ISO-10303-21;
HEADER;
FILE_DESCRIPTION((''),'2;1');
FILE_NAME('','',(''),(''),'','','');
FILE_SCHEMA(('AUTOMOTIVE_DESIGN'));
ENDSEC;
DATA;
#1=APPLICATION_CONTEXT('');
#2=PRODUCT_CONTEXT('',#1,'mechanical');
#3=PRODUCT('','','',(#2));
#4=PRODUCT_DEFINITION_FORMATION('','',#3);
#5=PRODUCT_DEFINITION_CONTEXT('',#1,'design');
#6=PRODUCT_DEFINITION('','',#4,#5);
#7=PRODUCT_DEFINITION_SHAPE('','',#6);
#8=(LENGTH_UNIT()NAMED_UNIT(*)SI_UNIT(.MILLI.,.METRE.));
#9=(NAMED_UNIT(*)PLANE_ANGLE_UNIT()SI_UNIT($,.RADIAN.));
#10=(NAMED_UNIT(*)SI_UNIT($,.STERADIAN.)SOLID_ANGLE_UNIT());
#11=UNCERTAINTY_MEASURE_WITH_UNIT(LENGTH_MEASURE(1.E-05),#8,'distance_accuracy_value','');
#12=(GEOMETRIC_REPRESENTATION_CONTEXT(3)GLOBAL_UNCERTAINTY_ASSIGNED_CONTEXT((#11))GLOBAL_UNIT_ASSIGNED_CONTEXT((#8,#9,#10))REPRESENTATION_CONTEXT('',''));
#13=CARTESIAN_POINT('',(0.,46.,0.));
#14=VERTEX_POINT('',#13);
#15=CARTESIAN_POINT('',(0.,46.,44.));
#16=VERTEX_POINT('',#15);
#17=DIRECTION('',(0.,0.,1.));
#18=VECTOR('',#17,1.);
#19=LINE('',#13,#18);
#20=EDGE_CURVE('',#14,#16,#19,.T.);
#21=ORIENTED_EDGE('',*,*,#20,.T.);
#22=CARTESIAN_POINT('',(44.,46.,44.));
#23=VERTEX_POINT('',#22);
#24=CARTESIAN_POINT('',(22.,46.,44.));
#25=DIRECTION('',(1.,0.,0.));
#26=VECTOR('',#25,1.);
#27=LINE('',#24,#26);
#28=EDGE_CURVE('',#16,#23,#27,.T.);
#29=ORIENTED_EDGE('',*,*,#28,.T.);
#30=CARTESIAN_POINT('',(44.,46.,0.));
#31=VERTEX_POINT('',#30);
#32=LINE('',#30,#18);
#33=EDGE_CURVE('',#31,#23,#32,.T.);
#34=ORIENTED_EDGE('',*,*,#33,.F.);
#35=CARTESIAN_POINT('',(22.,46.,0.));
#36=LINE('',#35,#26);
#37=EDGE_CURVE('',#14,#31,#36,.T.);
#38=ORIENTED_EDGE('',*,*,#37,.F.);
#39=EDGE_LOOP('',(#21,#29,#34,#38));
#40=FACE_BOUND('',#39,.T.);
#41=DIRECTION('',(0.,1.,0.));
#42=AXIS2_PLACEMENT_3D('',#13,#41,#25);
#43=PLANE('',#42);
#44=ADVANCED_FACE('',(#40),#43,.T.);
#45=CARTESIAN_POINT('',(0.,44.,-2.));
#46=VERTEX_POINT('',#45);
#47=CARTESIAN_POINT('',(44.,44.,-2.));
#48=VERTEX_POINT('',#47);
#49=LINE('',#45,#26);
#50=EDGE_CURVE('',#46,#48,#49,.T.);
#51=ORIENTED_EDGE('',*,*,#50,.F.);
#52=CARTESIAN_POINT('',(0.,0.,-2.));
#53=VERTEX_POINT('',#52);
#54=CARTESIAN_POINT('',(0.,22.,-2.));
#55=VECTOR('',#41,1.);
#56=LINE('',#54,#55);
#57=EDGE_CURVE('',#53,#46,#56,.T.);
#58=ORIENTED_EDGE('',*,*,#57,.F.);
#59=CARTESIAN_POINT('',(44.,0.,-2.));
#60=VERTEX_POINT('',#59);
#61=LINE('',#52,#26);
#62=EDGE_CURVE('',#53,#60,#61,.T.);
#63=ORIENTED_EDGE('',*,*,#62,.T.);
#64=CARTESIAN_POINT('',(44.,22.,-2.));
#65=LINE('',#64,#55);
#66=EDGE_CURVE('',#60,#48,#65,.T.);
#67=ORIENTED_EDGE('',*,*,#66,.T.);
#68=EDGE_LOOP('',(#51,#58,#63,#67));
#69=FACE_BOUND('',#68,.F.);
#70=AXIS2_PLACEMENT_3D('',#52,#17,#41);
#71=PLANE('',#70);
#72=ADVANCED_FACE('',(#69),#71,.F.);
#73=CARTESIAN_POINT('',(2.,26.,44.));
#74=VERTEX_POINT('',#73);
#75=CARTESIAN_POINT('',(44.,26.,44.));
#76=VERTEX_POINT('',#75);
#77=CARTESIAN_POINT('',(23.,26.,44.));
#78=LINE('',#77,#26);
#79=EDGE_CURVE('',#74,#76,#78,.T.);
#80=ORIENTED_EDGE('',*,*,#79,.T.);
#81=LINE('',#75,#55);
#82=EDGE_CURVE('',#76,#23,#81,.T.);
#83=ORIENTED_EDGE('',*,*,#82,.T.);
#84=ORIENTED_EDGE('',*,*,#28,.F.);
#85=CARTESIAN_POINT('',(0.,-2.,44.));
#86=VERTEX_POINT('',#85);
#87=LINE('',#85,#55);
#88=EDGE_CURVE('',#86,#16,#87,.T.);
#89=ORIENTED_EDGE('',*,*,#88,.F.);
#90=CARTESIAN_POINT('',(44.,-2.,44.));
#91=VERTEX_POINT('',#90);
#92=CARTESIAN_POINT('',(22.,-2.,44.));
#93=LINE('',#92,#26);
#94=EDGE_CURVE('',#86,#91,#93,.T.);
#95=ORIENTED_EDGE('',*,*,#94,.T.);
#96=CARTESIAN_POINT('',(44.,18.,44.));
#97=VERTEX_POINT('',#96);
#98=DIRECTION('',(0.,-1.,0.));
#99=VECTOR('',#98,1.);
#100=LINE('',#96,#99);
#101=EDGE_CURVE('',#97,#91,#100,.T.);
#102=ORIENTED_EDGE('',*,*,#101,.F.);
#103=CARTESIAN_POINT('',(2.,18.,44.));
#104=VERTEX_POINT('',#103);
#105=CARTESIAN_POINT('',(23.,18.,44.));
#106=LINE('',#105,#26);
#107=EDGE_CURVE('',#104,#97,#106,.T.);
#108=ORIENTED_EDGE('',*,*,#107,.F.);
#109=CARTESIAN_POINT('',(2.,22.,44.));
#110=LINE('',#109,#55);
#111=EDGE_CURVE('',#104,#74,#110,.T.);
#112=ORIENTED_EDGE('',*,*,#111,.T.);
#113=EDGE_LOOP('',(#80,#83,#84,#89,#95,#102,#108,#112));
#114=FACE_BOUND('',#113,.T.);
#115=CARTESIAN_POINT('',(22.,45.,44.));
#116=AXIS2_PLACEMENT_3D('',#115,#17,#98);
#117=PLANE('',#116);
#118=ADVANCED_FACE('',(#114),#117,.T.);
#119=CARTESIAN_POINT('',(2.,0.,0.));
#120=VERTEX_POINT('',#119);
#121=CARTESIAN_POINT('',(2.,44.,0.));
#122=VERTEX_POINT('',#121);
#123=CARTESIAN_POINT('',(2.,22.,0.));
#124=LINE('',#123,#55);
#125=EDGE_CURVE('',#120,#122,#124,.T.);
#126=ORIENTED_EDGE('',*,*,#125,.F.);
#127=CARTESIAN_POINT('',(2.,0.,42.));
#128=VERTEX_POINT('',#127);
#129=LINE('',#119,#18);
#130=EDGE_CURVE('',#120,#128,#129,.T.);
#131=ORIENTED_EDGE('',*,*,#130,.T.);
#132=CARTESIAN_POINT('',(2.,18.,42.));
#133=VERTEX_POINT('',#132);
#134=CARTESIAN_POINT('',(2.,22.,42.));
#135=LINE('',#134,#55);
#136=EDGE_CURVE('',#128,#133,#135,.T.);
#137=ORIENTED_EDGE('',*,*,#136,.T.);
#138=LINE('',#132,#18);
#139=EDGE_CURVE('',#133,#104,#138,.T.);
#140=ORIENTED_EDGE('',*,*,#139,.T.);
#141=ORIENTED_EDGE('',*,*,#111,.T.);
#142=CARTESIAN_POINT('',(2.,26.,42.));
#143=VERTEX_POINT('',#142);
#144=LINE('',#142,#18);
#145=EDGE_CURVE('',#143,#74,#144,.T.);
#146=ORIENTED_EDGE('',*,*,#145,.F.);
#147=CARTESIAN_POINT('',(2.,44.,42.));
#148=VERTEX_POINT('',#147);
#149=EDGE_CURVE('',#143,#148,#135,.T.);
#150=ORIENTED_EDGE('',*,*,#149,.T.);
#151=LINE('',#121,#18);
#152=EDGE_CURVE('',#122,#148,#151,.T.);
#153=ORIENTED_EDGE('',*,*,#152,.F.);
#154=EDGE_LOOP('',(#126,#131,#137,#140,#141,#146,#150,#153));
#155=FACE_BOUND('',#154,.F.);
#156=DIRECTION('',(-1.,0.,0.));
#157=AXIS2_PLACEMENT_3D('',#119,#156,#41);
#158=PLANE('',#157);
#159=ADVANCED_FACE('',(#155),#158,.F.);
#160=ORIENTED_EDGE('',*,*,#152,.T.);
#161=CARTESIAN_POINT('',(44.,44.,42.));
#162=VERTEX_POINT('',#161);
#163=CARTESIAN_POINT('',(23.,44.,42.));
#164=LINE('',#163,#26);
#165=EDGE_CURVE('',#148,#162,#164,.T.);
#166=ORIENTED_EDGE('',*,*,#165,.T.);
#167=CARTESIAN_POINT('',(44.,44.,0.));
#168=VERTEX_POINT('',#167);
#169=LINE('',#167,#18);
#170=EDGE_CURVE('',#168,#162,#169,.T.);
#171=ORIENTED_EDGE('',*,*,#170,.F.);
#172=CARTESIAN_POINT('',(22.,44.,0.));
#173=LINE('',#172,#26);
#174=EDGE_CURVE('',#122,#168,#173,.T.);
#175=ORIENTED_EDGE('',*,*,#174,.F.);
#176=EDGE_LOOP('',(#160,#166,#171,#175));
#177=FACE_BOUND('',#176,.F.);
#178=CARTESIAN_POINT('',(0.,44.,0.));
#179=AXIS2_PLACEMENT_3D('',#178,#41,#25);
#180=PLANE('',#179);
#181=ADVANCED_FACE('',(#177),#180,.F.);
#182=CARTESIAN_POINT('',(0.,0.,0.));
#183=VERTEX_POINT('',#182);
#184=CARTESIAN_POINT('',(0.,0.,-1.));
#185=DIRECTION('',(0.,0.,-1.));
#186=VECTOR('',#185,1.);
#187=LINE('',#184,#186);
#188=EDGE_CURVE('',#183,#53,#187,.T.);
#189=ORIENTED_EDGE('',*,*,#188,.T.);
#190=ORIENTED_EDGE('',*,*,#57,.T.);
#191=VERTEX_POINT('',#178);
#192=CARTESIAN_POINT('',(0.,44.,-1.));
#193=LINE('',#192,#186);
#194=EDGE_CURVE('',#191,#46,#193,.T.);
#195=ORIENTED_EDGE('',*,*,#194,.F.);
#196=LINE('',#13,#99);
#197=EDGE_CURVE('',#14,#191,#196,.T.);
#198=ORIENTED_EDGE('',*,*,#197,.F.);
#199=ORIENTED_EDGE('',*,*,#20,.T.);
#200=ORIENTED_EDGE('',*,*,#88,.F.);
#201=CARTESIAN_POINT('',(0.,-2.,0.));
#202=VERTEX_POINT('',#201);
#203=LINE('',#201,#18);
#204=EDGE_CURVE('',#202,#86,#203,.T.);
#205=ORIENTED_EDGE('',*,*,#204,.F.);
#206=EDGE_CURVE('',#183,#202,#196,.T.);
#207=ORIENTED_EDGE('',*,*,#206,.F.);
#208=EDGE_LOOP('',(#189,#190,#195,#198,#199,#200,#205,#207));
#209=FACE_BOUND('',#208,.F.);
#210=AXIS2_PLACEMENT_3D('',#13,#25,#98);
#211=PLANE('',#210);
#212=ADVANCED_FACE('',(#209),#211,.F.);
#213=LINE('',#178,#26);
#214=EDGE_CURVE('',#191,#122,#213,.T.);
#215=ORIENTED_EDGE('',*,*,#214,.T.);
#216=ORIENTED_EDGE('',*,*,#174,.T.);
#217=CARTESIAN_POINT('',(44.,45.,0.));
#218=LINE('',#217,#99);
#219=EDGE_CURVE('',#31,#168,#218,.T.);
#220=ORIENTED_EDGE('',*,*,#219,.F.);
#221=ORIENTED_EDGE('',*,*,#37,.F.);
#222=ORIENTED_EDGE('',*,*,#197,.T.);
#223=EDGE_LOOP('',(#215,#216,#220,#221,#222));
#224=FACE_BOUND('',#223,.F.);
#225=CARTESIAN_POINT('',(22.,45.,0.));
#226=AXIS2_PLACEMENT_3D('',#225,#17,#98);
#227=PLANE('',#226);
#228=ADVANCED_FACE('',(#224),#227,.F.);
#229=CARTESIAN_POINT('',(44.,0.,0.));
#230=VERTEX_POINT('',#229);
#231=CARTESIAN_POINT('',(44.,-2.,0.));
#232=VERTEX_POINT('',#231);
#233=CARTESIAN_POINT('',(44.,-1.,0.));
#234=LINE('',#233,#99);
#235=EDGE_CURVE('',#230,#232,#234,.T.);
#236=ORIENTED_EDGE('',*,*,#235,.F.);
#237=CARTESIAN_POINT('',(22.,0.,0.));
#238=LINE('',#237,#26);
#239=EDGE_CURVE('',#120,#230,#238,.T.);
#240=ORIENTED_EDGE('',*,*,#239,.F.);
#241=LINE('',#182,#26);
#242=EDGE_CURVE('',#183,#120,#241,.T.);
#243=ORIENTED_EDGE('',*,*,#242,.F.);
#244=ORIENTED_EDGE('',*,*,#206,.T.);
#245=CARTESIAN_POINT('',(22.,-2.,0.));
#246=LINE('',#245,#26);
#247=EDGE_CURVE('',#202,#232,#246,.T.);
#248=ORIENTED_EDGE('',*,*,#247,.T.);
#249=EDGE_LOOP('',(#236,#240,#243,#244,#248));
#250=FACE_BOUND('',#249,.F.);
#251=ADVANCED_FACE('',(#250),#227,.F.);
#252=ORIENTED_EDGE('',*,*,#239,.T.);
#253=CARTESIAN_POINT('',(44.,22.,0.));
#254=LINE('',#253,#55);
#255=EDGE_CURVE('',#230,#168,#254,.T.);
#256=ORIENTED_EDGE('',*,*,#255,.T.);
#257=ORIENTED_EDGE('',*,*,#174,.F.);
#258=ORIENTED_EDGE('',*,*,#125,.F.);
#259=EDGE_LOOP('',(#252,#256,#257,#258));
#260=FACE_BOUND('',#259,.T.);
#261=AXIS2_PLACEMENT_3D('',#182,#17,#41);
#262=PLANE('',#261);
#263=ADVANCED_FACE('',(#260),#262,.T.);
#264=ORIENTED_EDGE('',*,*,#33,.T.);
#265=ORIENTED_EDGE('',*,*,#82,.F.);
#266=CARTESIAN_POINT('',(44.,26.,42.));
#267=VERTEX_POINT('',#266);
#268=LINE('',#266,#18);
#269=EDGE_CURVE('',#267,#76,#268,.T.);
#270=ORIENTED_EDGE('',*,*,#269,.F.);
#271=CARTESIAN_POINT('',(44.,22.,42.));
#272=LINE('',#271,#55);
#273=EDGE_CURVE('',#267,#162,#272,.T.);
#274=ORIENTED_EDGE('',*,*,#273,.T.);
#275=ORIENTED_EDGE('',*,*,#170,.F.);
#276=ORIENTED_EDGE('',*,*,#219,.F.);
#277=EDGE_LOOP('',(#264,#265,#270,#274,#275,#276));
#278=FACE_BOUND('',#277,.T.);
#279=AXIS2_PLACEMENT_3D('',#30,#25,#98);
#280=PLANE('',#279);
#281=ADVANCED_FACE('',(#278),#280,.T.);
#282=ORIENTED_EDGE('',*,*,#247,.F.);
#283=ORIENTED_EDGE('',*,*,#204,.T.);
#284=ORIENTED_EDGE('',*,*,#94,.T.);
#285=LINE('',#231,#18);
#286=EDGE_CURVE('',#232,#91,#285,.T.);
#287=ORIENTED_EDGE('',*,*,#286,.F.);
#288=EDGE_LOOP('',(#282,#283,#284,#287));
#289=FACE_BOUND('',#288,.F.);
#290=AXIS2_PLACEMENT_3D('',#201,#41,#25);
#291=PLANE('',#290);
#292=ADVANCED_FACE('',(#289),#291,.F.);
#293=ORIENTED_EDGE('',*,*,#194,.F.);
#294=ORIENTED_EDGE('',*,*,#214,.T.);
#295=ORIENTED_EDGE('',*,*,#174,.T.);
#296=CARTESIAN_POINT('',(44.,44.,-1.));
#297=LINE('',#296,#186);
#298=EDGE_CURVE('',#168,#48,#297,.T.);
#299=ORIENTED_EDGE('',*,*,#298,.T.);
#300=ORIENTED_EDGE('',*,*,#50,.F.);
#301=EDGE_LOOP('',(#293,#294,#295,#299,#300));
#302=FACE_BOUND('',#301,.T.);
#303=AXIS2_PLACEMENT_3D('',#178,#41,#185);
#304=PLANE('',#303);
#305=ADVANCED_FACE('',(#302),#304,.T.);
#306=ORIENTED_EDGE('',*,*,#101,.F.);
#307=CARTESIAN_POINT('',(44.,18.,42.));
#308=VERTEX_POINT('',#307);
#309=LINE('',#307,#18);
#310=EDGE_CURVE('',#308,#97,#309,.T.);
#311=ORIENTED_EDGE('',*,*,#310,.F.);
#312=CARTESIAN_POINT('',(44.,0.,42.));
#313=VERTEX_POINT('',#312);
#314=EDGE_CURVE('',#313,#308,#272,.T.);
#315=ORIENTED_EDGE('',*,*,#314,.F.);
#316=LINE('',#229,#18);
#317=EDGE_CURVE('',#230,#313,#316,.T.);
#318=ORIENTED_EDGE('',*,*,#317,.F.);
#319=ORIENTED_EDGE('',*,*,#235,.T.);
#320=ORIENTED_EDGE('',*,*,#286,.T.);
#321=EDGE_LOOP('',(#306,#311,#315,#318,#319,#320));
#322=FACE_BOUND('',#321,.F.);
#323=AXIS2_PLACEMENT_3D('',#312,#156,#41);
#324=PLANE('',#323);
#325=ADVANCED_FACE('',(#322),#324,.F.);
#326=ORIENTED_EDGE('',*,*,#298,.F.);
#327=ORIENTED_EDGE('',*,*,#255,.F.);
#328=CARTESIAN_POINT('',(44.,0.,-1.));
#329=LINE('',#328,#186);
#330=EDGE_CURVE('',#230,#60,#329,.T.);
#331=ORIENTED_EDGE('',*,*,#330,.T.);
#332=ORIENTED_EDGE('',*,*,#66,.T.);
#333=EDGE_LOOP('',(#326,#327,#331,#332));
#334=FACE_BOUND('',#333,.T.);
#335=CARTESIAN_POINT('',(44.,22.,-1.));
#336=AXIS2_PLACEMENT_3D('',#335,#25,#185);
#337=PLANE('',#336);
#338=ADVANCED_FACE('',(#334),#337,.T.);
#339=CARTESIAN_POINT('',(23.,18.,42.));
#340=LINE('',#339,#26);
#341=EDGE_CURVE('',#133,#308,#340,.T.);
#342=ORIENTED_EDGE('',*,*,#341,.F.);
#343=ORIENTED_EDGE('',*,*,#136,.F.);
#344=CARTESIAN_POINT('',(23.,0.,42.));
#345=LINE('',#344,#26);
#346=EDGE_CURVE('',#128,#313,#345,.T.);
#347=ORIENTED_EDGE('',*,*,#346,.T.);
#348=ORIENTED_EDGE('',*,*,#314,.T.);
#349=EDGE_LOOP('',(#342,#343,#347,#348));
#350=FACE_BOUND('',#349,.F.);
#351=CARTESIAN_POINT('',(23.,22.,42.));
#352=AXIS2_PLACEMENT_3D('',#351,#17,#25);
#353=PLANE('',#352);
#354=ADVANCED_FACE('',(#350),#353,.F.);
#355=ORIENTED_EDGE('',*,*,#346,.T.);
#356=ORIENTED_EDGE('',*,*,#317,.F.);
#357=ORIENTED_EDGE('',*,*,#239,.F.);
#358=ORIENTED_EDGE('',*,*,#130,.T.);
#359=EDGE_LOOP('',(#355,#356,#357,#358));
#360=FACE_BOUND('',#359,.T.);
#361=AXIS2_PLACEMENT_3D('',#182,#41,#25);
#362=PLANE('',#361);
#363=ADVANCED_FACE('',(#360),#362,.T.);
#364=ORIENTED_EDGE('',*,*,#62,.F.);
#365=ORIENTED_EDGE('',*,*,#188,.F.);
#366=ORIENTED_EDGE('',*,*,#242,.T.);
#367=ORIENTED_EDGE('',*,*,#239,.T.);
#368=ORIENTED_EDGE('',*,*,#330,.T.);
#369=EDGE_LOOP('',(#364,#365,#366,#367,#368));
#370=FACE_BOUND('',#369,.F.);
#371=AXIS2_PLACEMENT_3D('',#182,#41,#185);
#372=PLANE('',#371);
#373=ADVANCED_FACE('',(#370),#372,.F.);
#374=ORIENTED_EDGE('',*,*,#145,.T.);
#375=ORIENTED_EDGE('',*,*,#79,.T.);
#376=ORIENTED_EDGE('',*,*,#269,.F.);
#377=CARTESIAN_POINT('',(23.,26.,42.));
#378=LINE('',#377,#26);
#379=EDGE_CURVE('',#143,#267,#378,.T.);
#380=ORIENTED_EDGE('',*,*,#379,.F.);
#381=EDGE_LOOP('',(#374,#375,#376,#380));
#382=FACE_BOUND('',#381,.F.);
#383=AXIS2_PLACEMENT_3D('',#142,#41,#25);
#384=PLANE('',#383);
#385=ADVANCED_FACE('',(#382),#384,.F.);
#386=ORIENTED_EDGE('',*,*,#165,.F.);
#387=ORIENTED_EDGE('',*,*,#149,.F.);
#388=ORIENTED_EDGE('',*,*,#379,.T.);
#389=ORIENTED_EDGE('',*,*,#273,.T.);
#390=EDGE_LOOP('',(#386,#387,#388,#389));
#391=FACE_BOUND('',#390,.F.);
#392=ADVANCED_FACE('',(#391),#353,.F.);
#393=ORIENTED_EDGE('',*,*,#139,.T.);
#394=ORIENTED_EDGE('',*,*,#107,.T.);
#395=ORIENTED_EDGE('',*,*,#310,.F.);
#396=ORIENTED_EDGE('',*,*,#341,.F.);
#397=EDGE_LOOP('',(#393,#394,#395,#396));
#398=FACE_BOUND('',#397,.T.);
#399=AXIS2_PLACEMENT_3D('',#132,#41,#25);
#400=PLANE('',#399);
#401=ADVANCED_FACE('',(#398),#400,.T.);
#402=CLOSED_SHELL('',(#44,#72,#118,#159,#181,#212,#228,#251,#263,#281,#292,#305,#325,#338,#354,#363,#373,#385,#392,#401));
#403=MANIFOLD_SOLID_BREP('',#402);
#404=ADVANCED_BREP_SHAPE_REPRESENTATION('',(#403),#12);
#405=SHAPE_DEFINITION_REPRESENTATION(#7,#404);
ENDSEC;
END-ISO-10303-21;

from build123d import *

# Parameters (mm, degrees)
BOX005_W     = 42
BOX005_H     = 8
BOX005_DEPTH = 2
BOX004_W     = 42
BOX004_H     = 44
BOX004_DEPTH = 2
BOX001_W     = 2
BOX001_H     = 44
BOX001_DEPTH = 44
BOX002_W     = 2
BOX002_H     = 44
BOX002_DEPTH = 44
BOX003_W     = 2
BOX003_H     = 44
BOX003_DEPTH = 44
BOX_W        = 2
BOX_H        = 44
BOX_DEPTH    = 44


with BuildPart() as cubo005:
    # Box005 → Box005 (new body)
    with BuildSketch(Plane(origin=(2, 18, 42), x_dir=(1, 0, 0), z_dir=(0, 0, 1))):
        with Locations((21, 4)):
            Rectangle(BOX005_W, BOX005_H)
    extrude(amount=BOX005_DEPTH)


with BuildPart() as cut:
    # Box004 → Box004 (new body)
    with BuildSketch(Plane(origin=(2, 0, 42), x_dir=(1, 0, 0), z_dir=(0, 0, 1))):
        with Locations((21, 22)):
            Rectangle(BOX004_W, BOX004_H)
    extrude(amount=BOX004_DEPTH)

    # Cut: cut Cubo005
    add(cubo005.part, mode=Mode.SUBTRACT)


with BuildPart() as cubo001:
    # Box001 → Box001 (new body)
    with BuildSketch(Plane(origin=(0, 0, 0), x_dir=(0, -1, 0), z_dir=(0, 0, 1))):
        with Locations((1, 22)):
            Rectangle(BOX001_W, BOX001_H)
    extrude(amount=BOX001_DEPTH)


with BuildPart() as cubo002:
    # Box002 → Box002 (new body)
    with BuildSketch(Plane(origin=(0, 46, 0), x_dir=(0, -1, 0), z_dir=(0, 0, 1))):
        with Locations((1, 22)):
            Rectangle(BOX002_W, BOX002_H)
    extrude(amount=BOX002_DEPTH)


with BuildPart() as cubo003:
    # Box003 → Box003 (new body)
    with BuildSketch(Plane(origin=(0, 0, 0), x_dir=(0, 0, -1), z_dir=(1, 0, 0))):
        with Locations((1, 22)):
            Rectangle(BOX003_W, BOX003_H)
    extrude(amount=BOX003_DEPTH)


with BuildPart() as fusion002:
    # Box → Box (new body)
    with BuildSketch(Plane.XY):
        with Locations((1, 22)):
            Rectangle(BOX_W, BOX_H)
    extrude(amount=BOX_DEPTH)

    # Fusion: union Cubo001, Cubo002, Cubo003
    add(cubo001.part)
    add(cubo002.part)
    add(cubo003.part)

    # Fusion002: union Cut
    add(cut.part)


solid = fusion002.part
